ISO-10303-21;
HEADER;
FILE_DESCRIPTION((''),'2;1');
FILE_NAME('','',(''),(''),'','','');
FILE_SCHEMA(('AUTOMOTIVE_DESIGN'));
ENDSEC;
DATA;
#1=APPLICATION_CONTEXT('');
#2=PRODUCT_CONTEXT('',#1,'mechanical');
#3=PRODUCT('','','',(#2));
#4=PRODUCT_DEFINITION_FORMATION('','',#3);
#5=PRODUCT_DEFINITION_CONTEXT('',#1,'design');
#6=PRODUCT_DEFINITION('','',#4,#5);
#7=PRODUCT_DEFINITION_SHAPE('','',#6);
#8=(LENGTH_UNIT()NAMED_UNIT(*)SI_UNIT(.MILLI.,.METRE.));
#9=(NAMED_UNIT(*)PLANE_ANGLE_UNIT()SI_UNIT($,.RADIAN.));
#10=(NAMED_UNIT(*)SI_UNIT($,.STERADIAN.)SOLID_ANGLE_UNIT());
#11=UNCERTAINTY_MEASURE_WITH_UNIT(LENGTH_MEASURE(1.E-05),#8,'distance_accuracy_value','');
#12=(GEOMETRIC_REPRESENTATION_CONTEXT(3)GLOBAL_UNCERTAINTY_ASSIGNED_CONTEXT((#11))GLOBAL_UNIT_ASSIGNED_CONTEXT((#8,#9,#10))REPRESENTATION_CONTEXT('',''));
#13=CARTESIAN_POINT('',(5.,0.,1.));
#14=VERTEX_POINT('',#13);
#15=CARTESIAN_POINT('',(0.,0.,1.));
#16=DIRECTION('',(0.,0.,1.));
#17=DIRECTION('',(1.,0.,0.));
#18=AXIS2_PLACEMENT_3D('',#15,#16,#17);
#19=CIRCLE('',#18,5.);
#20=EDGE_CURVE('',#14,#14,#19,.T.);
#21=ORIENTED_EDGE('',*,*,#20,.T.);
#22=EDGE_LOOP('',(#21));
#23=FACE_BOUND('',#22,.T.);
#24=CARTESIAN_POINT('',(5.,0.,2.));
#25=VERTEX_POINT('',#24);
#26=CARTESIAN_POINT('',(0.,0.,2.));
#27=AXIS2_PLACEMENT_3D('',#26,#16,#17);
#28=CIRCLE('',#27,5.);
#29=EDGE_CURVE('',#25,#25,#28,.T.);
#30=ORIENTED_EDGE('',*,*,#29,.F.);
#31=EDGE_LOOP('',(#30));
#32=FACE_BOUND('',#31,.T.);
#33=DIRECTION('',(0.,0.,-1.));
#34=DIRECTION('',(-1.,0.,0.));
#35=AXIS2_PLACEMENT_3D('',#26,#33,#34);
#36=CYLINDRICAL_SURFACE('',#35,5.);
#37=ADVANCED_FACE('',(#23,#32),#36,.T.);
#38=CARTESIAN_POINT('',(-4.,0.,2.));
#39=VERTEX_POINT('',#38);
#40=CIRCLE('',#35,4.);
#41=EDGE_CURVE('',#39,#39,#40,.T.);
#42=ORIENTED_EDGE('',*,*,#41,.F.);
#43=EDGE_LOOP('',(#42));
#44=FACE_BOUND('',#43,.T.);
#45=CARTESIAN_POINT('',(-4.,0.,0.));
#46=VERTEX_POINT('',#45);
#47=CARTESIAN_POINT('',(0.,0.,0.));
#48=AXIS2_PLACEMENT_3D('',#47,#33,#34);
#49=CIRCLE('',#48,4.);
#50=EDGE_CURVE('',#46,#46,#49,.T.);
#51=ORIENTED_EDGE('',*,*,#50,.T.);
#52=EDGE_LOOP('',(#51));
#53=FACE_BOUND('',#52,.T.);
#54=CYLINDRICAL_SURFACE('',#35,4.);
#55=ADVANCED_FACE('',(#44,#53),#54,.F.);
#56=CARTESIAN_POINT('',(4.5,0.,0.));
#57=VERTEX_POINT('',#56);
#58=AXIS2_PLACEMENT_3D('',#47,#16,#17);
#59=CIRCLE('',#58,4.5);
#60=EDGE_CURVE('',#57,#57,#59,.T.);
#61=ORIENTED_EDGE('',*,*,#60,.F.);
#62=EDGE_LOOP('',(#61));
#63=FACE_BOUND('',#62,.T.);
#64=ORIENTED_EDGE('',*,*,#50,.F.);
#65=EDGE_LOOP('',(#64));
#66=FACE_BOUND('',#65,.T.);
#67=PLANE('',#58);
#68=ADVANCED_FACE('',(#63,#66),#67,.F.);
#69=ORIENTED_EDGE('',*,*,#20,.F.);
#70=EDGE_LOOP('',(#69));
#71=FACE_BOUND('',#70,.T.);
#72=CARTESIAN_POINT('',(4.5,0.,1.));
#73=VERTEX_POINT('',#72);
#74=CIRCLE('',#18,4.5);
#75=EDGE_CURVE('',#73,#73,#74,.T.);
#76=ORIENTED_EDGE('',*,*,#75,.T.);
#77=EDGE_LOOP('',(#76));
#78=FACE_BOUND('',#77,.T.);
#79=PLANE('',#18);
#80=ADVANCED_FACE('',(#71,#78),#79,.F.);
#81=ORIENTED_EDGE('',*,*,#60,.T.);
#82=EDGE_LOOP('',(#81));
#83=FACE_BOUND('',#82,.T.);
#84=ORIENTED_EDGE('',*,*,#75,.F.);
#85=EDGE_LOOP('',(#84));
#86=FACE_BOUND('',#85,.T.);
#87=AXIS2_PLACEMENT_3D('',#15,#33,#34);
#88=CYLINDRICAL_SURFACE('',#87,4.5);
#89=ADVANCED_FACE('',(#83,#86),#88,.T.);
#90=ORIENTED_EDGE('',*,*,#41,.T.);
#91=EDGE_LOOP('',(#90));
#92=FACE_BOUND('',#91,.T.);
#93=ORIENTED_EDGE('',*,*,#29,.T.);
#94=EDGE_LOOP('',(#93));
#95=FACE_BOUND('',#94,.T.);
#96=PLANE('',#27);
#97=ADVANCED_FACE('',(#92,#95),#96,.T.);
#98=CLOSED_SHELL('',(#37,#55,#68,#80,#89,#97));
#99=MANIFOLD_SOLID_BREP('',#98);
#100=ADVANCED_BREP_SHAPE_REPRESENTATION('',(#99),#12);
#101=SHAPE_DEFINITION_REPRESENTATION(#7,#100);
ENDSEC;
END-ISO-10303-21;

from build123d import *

# Parameters (mm, degrees)
SKETCH_1_R          = 4.5
EXTRUDE_1_DEPTH     = 1
SKETCH_2_R          = 5
EXTRUDE_2_DEPTH     = 1
SKETCH_3_R          = 4
CUT_EXTRUDE_1_DEPTH = 2


with BuildPart() as part:
    # 草图1 → 凸台-拉伸1 (new body)
    with BuildSketch(Plane.XY):
        Circle(SKETCH_1_R)
    extrude(amount=EXTRUDE_1_DEPTH)

    # 草图2 → 凸台-拉伸2 (add)
    with BuildSketch(Plane.XY.offset(1)):
        Circle(SKETCH_2_R)
    extrude(amount=EXTRUDE_2_DEPTH)

    # 草图3 → 切除-拉伸1 (cut)
    with BuildSketch(Plane(origin=(0, 0, 0), x_dir=(-1, 0, 0), z_dir=(0, 0, -1))):
        Circle(SKETCH_3_R)
    extrude(amount=-CUT_EXTRUDE_1_DEPTH, mode=Mode.SUBTRACT)


solid = part.part
